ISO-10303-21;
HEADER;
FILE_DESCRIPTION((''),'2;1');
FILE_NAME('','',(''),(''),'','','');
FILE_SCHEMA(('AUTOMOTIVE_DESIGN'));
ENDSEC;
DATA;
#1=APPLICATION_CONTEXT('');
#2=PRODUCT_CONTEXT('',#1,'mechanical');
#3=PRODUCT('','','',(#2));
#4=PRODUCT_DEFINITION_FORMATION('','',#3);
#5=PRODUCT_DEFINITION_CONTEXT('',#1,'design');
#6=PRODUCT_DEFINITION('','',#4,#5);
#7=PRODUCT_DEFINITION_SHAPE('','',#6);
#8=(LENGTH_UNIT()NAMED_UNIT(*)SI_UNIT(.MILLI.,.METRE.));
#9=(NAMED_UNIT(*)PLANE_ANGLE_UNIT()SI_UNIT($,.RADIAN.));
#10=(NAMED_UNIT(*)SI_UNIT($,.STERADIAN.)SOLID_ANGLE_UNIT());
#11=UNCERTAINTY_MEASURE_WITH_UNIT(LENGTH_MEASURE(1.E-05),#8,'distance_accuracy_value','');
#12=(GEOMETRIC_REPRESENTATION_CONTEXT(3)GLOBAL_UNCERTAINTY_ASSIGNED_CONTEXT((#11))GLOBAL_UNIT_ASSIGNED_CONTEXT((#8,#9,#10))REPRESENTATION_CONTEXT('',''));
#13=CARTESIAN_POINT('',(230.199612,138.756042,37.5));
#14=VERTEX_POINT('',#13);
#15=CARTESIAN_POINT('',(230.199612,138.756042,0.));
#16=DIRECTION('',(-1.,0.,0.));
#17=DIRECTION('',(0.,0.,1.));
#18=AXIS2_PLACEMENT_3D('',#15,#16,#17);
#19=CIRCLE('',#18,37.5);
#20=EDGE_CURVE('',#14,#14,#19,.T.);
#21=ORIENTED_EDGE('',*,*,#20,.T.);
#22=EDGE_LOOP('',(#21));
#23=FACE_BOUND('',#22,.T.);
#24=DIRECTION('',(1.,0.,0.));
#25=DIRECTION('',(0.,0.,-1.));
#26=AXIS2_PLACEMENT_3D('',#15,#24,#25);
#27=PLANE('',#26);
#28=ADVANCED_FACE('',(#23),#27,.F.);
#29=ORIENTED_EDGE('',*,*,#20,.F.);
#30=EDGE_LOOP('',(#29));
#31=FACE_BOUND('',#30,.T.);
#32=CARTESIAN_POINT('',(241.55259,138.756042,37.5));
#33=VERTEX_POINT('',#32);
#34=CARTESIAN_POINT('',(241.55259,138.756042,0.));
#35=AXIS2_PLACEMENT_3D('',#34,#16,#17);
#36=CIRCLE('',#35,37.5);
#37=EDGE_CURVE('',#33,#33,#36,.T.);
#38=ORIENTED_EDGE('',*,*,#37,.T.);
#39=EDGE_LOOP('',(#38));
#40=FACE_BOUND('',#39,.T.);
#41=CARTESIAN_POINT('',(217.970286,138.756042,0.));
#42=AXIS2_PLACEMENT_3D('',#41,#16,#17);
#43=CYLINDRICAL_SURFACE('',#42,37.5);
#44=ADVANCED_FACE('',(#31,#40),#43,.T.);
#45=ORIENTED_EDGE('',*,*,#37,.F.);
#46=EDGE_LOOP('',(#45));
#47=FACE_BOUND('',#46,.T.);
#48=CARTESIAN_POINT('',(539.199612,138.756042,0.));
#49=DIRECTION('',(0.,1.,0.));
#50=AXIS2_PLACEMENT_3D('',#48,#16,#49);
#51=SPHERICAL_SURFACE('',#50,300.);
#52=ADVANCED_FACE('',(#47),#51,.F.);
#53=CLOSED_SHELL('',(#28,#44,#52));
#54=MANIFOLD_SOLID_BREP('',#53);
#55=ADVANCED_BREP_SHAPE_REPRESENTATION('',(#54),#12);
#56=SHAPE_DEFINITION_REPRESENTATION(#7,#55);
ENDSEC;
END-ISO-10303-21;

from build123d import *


with BuildPart() as part:
    # 草图1 → 旋转1 (revolve)
    with BuildSketch(Plane.XY):
        with BuildLine():
            Line((230.199611905, 138.756042247), (230.199611905, 176.256042247))
            Line((230.199611905, 176.256042247), (241.552589701, 176.256042247))
            ThreePointArc((241.552589701, 176.256042247), (239.788434425, 157.54291601), (239.199612196, 138.756042247))
            Line((239.199612196, 138.756042247), (230.199611905, 138.756042247))
        make_face()
    revolve(axis=Axis((217.970286004, 138.756042247, 0), (1, 0, 0)))


solid = part.part
